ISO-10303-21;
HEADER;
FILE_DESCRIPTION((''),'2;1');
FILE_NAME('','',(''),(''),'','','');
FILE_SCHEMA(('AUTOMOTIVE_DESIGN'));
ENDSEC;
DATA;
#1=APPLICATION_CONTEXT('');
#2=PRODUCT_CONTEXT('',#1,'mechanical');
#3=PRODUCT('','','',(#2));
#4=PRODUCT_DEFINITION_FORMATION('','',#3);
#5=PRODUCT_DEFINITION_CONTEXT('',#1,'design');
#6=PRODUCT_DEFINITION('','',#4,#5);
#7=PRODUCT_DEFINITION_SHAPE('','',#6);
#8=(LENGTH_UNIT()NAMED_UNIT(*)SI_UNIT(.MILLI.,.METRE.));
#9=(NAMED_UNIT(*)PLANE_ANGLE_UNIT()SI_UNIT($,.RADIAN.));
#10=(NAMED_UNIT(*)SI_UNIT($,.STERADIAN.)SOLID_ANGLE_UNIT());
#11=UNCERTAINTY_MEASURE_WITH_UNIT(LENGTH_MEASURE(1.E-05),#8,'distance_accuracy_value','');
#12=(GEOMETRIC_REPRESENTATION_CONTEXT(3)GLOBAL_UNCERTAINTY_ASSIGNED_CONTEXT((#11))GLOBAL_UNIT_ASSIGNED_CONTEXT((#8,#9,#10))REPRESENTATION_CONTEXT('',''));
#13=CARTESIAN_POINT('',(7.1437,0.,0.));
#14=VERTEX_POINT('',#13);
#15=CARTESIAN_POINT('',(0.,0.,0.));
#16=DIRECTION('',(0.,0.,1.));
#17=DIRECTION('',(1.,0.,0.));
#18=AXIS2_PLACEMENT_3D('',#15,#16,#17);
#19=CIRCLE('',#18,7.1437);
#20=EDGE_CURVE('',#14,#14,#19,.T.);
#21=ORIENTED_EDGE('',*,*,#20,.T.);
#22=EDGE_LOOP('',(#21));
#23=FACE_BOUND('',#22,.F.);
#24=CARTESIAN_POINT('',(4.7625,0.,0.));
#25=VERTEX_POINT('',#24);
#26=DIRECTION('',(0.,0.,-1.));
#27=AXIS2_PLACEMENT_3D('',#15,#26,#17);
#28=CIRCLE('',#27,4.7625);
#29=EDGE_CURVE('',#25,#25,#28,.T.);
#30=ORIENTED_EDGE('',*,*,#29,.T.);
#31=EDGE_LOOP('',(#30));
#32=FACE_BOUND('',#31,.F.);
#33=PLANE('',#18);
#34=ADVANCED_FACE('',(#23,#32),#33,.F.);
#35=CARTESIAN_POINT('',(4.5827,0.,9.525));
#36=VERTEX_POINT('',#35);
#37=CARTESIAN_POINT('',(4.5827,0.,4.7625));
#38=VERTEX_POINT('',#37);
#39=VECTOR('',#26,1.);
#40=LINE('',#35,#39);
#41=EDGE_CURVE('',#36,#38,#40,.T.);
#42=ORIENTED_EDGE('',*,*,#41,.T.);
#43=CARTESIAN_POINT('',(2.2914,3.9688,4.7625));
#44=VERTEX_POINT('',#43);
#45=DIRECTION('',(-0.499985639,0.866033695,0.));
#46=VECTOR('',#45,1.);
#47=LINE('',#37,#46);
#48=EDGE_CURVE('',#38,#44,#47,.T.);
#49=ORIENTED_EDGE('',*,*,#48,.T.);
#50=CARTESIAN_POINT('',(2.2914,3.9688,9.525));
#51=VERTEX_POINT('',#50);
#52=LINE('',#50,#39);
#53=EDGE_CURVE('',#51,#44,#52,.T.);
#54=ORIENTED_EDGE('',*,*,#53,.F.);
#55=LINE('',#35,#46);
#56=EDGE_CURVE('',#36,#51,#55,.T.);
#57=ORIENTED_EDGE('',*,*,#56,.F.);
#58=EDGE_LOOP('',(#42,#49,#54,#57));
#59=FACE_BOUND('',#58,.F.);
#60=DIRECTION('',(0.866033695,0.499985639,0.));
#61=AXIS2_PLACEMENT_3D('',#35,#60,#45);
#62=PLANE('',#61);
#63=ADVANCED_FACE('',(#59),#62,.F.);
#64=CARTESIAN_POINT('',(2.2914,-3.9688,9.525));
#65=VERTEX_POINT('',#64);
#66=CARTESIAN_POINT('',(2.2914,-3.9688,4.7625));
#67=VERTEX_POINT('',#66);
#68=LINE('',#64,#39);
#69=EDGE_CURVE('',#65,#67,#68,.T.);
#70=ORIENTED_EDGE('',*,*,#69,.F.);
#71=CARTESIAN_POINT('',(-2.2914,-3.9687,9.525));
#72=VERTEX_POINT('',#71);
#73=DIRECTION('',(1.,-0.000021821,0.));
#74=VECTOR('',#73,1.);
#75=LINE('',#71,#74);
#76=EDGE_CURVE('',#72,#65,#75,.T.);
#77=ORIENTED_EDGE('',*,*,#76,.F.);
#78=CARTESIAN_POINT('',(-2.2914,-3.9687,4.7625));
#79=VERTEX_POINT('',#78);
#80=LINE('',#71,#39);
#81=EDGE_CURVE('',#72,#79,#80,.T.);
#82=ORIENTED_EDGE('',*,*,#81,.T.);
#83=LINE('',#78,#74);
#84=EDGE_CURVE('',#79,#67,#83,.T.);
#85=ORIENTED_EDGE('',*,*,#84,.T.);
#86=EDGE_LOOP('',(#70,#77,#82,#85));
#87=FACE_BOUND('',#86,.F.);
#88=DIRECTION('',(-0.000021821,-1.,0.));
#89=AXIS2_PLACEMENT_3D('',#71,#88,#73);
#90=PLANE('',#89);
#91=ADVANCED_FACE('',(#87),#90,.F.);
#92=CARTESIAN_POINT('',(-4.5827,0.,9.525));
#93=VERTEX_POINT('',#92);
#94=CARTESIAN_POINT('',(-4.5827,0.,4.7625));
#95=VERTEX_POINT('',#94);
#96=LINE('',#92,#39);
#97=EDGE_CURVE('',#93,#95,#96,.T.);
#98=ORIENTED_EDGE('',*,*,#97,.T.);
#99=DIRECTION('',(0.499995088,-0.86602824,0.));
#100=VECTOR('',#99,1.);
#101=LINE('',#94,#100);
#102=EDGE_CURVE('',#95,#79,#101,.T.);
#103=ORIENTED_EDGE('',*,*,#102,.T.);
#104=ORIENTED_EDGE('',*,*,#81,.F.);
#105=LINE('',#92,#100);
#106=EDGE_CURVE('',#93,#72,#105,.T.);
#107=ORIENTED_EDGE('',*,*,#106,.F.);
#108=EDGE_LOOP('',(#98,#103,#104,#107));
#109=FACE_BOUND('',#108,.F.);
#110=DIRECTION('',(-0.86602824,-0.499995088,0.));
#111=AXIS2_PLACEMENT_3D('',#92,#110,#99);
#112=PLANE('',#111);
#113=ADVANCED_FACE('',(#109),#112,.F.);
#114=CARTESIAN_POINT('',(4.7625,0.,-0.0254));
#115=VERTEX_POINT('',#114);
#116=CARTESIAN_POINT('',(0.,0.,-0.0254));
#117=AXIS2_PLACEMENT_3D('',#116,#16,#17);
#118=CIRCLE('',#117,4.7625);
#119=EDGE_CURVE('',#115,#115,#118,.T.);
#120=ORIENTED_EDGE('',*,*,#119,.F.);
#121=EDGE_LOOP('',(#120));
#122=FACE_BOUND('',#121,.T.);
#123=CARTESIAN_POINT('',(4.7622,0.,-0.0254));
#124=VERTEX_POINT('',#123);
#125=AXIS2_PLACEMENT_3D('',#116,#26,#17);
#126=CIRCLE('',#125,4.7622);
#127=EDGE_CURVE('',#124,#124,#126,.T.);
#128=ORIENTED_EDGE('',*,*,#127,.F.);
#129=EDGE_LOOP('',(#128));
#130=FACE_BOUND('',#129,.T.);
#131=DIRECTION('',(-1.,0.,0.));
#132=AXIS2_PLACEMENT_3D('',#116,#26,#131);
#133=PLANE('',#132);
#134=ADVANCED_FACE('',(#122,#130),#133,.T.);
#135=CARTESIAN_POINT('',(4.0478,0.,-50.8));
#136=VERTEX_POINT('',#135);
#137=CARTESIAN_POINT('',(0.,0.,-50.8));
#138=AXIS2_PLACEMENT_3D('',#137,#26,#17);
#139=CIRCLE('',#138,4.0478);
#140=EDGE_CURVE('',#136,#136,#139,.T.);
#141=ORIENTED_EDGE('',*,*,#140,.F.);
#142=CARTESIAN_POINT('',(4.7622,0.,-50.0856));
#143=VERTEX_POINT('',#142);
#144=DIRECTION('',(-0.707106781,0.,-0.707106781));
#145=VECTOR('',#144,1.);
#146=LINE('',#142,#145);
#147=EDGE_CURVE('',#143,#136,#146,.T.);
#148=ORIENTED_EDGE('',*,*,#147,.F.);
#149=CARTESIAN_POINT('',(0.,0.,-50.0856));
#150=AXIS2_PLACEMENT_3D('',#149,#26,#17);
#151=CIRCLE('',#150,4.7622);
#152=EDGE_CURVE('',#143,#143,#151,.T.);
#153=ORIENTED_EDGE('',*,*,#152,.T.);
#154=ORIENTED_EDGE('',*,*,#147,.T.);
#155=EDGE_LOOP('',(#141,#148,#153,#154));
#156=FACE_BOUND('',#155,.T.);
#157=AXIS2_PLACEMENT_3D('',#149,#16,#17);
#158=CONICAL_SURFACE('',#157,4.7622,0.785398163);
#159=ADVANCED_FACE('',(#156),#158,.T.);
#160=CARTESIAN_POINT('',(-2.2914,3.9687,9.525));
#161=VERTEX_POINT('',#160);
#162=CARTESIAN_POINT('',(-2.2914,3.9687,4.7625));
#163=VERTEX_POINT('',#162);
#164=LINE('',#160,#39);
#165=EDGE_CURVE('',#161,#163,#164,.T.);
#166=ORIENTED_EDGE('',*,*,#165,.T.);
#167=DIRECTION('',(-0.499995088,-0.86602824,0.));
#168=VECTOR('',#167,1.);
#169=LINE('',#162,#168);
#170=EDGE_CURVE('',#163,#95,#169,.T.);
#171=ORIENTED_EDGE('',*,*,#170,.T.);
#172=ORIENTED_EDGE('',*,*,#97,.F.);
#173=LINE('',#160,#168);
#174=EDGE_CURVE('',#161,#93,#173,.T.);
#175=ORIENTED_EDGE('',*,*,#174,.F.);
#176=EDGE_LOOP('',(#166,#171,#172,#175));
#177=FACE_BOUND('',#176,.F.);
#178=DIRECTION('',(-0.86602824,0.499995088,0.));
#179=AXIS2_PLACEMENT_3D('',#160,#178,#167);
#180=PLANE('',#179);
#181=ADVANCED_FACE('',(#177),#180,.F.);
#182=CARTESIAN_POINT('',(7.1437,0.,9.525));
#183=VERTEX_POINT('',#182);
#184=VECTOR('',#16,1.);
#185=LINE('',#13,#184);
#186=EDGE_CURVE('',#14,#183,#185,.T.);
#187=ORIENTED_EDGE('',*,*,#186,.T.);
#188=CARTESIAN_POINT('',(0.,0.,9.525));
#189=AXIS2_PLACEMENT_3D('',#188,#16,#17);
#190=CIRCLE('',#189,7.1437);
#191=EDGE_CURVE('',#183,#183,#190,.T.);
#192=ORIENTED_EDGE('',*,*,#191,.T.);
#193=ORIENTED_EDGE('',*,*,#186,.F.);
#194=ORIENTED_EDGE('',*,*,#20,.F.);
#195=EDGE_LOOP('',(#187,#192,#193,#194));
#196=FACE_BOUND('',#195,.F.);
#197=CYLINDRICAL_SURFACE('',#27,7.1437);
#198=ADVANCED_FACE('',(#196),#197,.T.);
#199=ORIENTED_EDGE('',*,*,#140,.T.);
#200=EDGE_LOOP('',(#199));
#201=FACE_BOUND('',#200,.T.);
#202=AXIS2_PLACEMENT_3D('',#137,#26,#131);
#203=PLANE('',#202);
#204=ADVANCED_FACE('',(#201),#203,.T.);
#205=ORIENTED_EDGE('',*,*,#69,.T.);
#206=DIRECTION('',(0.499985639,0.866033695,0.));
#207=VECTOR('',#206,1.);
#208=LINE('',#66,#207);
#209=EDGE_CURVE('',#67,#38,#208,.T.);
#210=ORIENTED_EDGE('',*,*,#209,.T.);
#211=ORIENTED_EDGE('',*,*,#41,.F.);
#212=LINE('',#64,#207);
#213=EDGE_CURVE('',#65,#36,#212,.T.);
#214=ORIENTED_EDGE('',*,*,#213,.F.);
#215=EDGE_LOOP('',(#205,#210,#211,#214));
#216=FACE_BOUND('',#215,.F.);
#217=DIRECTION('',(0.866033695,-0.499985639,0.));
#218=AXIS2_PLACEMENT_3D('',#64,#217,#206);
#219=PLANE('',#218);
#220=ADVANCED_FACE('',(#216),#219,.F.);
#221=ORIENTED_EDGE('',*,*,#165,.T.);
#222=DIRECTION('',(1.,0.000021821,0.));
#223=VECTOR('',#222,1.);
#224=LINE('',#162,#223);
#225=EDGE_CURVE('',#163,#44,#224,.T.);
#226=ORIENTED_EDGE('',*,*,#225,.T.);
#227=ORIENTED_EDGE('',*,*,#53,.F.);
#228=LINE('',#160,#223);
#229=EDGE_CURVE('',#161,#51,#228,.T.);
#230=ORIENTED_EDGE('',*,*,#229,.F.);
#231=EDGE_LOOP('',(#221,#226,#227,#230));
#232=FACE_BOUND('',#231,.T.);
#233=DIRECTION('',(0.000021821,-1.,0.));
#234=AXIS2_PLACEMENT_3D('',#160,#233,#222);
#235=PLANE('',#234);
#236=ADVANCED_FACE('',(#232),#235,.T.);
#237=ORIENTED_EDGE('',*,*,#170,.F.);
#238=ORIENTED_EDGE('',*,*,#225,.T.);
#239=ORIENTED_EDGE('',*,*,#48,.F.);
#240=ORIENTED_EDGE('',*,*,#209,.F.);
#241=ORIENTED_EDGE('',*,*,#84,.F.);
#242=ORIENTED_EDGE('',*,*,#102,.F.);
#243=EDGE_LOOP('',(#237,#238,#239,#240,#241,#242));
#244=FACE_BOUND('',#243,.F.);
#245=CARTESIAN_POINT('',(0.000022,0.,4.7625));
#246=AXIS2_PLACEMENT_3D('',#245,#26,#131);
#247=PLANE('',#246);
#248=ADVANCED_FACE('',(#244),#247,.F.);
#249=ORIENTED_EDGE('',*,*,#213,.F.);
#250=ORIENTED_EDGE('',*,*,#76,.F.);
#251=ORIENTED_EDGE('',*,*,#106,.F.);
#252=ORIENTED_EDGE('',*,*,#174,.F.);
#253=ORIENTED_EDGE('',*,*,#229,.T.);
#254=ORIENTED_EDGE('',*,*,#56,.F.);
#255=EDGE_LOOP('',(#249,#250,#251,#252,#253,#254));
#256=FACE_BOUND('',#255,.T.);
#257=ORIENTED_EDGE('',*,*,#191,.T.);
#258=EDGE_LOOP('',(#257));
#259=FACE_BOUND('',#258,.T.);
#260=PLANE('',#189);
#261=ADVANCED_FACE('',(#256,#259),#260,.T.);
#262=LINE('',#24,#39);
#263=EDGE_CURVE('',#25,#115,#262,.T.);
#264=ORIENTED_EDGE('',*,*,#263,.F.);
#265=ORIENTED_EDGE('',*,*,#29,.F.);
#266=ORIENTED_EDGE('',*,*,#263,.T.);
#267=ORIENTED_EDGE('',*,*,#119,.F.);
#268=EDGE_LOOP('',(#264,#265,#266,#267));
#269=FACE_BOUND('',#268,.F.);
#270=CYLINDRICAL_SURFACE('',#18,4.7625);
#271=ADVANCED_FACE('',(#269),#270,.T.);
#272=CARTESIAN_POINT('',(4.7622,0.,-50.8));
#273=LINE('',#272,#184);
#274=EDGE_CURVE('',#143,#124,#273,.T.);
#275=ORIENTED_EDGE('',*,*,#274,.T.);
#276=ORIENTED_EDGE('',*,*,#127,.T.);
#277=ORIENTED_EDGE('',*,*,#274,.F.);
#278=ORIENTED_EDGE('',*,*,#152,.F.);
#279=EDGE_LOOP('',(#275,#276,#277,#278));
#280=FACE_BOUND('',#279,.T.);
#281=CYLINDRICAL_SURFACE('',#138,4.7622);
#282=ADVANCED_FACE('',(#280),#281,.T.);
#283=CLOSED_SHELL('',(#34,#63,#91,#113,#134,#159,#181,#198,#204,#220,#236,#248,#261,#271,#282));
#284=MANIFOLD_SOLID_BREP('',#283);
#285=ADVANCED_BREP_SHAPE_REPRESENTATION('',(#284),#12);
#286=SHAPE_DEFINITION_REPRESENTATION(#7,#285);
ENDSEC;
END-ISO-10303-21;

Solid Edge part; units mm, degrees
sketch "Sketch1" plane through (0, 0, 0) normal (0, 0, 1) x (1, 0, 0)
  circle A0 centre (0, 0) radius 7.1437
  dimension "D1" = 14.2875
extrude "Protrusion1" add sketch "Sketch1" along normal blind 9.525
sketch "Sketch2" plane through (0, 0, 0) normal (0, 0, -1) x (1, 0, 0)
  circle A0 centre (0, 0) radius 4.7625
extrude "Protrusion2" add sketch "Sketch2" along normal blind 50.8
sketch "Sketch3" plane through (0, 0, -50.8) normal (0, 0, -1) x (1, 0, 0)
  circle A0 centre (0, 0) radius 4.7622
extrude "Cutout1" cut sketch "Sketch3" against normal blind 50.7746 flip side to cut
chamfer "Chamfer_1" distance 0.7144 angle 45 1 edges at (-4.7622, 0, -50.8)
sketch "Sketch4" plane through (0, 0, 9.525) normal (0, 0, 1) x (1, 0, 0)
  line L0 (-2.2914, 3.9687) -> (2.2914, 3.9688)
  line L1 (4.5827, 0) -> (2.2914, 3.9688)
  line L2 (2.2914, -3.9688) -> (4.5827, 0)
  line L3 (-2.2914, -3.9687) -> (2.2914, -3.9688)
  line L4 (-4.5827, 0) -> (-2.2914, -3.9688)
  line L5 (-2.2914, 3.9688) -> (-4.5827, 0)
  dimension "D1" = 7.9375
extrude "Cutout2" cut sketch "Sketch4" against normal blind 4.7625
properties part number "158232"
